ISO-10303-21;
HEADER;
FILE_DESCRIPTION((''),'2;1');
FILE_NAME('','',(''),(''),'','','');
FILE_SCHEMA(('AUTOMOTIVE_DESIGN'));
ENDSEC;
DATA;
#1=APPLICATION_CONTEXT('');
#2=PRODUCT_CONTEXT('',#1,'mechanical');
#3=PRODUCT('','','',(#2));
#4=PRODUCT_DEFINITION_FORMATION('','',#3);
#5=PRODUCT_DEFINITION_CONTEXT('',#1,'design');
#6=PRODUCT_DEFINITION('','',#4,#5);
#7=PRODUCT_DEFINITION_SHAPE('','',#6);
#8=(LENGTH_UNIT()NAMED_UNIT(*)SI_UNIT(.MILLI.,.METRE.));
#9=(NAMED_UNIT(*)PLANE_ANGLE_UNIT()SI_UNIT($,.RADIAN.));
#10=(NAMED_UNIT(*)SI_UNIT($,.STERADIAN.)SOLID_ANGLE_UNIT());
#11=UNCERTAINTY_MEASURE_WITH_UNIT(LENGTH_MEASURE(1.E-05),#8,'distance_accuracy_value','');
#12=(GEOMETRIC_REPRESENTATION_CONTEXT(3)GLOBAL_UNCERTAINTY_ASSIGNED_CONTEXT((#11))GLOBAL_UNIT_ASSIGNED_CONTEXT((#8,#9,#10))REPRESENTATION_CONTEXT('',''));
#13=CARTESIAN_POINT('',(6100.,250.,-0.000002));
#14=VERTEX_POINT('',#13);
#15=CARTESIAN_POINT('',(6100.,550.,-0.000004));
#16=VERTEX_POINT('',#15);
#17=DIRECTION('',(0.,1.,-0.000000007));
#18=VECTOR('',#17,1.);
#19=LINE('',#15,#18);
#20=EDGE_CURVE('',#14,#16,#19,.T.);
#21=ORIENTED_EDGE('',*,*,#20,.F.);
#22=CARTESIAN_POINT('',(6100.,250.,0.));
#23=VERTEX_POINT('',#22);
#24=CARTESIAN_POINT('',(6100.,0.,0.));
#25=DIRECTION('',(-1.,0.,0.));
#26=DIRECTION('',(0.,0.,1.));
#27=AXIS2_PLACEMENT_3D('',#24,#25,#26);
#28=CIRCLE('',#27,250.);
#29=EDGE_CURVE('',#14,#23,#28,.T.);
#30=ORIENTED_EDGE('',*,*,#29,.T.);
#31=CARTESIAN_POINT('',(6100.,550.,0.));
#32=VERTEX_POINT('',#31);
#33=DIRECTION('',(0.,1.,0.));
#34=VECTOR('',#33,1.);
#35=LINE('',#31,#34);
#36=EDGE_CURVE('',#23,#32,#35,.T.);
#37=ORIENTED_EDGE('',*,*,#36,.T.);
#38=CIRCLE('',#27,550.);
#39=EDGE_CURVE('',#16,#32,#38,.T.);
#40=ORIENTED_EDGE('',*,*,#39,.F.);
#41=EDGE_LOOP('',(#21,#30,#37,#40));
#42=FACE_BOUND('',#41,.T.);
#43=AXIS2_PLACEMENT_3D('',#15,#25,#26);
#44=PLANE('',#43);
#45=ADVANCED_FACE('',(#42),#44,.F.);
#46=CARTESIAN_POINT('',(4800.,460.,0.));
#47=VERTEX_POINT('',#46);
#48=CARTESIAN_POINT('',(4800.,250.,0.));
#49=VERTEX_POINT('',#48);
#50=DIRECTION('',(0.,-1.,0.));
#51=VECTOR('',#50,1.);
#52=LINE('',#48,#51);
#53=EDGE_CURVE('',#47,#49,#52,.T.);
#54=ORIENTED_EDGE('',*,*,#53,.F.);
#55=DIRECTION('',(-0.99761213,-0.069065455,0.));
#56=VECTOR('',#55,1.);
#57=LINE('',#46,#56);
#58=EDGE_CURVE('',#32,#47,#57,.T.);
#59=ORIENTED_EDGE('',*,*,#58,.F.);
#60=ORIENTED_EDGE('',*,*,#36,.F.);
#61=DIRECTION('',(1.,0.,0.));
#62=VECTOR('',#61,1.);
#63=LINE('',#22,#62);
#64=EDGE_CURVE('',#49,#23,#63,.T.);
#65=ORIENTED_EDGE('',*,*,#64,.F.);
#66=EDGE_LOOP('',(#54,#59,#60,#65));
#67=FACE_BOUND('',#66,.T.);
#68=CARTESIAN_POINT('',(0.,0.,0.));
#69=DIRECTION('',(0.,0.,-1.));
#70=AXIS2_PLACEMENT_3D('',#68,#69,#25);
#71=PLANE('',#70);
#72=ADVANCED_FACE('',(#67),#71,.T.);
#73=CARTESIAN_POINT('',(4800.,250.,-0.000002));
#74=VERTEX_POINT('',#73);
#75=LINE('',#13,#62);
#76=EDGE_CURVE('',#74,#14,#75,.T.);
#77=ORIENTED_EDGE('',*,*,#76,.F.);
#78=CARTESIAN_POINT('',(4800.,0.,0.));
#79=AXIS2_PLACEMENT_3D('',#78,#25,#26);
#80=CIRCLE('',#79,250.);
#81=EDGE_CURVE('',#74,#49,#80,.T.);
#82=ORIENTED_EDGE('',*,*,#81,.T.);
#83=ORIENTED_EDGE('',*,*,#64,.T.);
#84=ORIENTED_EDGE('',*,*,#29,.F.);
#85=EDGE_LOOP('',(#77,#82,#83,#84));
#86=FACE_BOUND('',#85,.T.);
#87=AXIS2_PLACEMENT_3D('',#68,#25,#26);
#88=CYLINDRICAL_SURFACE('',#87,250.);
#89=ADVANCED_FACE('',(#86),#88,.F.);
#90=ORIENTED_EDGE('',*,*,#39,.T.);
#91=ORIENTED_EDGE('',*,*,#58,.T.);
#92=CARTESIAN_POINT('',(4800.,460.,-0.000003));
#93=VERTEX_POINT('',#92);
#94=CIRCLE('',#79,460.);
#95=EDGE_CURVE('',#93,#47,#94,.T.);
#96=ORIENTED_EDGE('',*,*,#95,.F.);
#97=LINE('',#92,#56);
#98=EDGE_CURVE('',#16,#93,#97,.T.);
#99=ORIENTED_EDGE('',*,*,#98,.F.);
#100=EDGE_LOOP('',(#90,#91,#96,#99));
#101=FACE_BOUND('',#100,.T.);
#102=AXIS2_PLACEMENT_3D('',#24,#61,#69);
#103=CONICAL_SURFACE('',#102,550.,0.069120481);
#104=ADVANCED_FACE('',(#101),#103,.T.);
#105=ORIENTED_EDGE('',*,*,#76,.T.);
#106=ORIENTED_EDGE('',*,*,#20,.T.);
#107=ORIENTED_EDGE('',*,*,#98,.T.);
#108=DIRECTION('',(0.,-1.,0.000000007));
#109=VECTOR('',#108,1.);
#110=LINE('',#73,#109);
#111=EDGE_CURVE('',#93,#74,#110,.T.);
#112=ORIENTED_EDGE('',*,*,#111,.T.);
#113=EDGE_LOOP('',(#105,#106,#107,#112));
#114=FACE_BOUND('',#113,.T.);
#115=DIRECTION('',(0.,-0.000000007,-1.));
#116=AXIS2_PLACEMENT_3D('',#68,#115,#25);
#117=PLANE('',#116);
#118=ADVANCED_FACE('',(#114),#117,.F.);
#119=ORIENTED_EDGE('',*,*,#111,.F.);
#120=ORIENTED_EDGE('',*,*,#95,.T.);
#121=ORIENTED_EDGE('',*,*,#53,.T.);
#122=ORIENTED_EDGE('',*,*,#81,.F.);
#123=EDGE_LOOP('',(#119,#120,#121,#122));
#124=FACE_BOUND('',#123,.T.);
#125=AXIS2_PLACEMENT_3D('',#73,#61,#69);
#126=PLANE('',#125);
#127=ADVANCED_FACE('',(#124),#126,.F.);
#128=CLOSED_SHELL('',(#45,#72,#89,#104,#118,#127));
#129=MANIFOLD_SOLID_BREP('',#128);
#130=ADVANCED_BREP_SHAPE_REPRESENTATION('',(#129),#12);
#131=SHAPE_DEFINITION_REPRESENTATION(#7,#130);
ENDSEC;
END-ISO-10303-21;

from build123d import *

# Parameters (mm, degrees)
REVOLVE1_ANGLE = 359.999999589


with BuildPart() as part:
    # Sketch1 → Revolve1 (revolve)
    with BuildSketch(Plane.XY):
        Polygon((4800, 250), (4800, 460), (6100, 550), (6100, 250), align=None)
    revolve(axis=Axis((0, 0, 0), (1, 0, 0)), revolution_arc=REVOLVE1_ANGLE)


solid = part.part
